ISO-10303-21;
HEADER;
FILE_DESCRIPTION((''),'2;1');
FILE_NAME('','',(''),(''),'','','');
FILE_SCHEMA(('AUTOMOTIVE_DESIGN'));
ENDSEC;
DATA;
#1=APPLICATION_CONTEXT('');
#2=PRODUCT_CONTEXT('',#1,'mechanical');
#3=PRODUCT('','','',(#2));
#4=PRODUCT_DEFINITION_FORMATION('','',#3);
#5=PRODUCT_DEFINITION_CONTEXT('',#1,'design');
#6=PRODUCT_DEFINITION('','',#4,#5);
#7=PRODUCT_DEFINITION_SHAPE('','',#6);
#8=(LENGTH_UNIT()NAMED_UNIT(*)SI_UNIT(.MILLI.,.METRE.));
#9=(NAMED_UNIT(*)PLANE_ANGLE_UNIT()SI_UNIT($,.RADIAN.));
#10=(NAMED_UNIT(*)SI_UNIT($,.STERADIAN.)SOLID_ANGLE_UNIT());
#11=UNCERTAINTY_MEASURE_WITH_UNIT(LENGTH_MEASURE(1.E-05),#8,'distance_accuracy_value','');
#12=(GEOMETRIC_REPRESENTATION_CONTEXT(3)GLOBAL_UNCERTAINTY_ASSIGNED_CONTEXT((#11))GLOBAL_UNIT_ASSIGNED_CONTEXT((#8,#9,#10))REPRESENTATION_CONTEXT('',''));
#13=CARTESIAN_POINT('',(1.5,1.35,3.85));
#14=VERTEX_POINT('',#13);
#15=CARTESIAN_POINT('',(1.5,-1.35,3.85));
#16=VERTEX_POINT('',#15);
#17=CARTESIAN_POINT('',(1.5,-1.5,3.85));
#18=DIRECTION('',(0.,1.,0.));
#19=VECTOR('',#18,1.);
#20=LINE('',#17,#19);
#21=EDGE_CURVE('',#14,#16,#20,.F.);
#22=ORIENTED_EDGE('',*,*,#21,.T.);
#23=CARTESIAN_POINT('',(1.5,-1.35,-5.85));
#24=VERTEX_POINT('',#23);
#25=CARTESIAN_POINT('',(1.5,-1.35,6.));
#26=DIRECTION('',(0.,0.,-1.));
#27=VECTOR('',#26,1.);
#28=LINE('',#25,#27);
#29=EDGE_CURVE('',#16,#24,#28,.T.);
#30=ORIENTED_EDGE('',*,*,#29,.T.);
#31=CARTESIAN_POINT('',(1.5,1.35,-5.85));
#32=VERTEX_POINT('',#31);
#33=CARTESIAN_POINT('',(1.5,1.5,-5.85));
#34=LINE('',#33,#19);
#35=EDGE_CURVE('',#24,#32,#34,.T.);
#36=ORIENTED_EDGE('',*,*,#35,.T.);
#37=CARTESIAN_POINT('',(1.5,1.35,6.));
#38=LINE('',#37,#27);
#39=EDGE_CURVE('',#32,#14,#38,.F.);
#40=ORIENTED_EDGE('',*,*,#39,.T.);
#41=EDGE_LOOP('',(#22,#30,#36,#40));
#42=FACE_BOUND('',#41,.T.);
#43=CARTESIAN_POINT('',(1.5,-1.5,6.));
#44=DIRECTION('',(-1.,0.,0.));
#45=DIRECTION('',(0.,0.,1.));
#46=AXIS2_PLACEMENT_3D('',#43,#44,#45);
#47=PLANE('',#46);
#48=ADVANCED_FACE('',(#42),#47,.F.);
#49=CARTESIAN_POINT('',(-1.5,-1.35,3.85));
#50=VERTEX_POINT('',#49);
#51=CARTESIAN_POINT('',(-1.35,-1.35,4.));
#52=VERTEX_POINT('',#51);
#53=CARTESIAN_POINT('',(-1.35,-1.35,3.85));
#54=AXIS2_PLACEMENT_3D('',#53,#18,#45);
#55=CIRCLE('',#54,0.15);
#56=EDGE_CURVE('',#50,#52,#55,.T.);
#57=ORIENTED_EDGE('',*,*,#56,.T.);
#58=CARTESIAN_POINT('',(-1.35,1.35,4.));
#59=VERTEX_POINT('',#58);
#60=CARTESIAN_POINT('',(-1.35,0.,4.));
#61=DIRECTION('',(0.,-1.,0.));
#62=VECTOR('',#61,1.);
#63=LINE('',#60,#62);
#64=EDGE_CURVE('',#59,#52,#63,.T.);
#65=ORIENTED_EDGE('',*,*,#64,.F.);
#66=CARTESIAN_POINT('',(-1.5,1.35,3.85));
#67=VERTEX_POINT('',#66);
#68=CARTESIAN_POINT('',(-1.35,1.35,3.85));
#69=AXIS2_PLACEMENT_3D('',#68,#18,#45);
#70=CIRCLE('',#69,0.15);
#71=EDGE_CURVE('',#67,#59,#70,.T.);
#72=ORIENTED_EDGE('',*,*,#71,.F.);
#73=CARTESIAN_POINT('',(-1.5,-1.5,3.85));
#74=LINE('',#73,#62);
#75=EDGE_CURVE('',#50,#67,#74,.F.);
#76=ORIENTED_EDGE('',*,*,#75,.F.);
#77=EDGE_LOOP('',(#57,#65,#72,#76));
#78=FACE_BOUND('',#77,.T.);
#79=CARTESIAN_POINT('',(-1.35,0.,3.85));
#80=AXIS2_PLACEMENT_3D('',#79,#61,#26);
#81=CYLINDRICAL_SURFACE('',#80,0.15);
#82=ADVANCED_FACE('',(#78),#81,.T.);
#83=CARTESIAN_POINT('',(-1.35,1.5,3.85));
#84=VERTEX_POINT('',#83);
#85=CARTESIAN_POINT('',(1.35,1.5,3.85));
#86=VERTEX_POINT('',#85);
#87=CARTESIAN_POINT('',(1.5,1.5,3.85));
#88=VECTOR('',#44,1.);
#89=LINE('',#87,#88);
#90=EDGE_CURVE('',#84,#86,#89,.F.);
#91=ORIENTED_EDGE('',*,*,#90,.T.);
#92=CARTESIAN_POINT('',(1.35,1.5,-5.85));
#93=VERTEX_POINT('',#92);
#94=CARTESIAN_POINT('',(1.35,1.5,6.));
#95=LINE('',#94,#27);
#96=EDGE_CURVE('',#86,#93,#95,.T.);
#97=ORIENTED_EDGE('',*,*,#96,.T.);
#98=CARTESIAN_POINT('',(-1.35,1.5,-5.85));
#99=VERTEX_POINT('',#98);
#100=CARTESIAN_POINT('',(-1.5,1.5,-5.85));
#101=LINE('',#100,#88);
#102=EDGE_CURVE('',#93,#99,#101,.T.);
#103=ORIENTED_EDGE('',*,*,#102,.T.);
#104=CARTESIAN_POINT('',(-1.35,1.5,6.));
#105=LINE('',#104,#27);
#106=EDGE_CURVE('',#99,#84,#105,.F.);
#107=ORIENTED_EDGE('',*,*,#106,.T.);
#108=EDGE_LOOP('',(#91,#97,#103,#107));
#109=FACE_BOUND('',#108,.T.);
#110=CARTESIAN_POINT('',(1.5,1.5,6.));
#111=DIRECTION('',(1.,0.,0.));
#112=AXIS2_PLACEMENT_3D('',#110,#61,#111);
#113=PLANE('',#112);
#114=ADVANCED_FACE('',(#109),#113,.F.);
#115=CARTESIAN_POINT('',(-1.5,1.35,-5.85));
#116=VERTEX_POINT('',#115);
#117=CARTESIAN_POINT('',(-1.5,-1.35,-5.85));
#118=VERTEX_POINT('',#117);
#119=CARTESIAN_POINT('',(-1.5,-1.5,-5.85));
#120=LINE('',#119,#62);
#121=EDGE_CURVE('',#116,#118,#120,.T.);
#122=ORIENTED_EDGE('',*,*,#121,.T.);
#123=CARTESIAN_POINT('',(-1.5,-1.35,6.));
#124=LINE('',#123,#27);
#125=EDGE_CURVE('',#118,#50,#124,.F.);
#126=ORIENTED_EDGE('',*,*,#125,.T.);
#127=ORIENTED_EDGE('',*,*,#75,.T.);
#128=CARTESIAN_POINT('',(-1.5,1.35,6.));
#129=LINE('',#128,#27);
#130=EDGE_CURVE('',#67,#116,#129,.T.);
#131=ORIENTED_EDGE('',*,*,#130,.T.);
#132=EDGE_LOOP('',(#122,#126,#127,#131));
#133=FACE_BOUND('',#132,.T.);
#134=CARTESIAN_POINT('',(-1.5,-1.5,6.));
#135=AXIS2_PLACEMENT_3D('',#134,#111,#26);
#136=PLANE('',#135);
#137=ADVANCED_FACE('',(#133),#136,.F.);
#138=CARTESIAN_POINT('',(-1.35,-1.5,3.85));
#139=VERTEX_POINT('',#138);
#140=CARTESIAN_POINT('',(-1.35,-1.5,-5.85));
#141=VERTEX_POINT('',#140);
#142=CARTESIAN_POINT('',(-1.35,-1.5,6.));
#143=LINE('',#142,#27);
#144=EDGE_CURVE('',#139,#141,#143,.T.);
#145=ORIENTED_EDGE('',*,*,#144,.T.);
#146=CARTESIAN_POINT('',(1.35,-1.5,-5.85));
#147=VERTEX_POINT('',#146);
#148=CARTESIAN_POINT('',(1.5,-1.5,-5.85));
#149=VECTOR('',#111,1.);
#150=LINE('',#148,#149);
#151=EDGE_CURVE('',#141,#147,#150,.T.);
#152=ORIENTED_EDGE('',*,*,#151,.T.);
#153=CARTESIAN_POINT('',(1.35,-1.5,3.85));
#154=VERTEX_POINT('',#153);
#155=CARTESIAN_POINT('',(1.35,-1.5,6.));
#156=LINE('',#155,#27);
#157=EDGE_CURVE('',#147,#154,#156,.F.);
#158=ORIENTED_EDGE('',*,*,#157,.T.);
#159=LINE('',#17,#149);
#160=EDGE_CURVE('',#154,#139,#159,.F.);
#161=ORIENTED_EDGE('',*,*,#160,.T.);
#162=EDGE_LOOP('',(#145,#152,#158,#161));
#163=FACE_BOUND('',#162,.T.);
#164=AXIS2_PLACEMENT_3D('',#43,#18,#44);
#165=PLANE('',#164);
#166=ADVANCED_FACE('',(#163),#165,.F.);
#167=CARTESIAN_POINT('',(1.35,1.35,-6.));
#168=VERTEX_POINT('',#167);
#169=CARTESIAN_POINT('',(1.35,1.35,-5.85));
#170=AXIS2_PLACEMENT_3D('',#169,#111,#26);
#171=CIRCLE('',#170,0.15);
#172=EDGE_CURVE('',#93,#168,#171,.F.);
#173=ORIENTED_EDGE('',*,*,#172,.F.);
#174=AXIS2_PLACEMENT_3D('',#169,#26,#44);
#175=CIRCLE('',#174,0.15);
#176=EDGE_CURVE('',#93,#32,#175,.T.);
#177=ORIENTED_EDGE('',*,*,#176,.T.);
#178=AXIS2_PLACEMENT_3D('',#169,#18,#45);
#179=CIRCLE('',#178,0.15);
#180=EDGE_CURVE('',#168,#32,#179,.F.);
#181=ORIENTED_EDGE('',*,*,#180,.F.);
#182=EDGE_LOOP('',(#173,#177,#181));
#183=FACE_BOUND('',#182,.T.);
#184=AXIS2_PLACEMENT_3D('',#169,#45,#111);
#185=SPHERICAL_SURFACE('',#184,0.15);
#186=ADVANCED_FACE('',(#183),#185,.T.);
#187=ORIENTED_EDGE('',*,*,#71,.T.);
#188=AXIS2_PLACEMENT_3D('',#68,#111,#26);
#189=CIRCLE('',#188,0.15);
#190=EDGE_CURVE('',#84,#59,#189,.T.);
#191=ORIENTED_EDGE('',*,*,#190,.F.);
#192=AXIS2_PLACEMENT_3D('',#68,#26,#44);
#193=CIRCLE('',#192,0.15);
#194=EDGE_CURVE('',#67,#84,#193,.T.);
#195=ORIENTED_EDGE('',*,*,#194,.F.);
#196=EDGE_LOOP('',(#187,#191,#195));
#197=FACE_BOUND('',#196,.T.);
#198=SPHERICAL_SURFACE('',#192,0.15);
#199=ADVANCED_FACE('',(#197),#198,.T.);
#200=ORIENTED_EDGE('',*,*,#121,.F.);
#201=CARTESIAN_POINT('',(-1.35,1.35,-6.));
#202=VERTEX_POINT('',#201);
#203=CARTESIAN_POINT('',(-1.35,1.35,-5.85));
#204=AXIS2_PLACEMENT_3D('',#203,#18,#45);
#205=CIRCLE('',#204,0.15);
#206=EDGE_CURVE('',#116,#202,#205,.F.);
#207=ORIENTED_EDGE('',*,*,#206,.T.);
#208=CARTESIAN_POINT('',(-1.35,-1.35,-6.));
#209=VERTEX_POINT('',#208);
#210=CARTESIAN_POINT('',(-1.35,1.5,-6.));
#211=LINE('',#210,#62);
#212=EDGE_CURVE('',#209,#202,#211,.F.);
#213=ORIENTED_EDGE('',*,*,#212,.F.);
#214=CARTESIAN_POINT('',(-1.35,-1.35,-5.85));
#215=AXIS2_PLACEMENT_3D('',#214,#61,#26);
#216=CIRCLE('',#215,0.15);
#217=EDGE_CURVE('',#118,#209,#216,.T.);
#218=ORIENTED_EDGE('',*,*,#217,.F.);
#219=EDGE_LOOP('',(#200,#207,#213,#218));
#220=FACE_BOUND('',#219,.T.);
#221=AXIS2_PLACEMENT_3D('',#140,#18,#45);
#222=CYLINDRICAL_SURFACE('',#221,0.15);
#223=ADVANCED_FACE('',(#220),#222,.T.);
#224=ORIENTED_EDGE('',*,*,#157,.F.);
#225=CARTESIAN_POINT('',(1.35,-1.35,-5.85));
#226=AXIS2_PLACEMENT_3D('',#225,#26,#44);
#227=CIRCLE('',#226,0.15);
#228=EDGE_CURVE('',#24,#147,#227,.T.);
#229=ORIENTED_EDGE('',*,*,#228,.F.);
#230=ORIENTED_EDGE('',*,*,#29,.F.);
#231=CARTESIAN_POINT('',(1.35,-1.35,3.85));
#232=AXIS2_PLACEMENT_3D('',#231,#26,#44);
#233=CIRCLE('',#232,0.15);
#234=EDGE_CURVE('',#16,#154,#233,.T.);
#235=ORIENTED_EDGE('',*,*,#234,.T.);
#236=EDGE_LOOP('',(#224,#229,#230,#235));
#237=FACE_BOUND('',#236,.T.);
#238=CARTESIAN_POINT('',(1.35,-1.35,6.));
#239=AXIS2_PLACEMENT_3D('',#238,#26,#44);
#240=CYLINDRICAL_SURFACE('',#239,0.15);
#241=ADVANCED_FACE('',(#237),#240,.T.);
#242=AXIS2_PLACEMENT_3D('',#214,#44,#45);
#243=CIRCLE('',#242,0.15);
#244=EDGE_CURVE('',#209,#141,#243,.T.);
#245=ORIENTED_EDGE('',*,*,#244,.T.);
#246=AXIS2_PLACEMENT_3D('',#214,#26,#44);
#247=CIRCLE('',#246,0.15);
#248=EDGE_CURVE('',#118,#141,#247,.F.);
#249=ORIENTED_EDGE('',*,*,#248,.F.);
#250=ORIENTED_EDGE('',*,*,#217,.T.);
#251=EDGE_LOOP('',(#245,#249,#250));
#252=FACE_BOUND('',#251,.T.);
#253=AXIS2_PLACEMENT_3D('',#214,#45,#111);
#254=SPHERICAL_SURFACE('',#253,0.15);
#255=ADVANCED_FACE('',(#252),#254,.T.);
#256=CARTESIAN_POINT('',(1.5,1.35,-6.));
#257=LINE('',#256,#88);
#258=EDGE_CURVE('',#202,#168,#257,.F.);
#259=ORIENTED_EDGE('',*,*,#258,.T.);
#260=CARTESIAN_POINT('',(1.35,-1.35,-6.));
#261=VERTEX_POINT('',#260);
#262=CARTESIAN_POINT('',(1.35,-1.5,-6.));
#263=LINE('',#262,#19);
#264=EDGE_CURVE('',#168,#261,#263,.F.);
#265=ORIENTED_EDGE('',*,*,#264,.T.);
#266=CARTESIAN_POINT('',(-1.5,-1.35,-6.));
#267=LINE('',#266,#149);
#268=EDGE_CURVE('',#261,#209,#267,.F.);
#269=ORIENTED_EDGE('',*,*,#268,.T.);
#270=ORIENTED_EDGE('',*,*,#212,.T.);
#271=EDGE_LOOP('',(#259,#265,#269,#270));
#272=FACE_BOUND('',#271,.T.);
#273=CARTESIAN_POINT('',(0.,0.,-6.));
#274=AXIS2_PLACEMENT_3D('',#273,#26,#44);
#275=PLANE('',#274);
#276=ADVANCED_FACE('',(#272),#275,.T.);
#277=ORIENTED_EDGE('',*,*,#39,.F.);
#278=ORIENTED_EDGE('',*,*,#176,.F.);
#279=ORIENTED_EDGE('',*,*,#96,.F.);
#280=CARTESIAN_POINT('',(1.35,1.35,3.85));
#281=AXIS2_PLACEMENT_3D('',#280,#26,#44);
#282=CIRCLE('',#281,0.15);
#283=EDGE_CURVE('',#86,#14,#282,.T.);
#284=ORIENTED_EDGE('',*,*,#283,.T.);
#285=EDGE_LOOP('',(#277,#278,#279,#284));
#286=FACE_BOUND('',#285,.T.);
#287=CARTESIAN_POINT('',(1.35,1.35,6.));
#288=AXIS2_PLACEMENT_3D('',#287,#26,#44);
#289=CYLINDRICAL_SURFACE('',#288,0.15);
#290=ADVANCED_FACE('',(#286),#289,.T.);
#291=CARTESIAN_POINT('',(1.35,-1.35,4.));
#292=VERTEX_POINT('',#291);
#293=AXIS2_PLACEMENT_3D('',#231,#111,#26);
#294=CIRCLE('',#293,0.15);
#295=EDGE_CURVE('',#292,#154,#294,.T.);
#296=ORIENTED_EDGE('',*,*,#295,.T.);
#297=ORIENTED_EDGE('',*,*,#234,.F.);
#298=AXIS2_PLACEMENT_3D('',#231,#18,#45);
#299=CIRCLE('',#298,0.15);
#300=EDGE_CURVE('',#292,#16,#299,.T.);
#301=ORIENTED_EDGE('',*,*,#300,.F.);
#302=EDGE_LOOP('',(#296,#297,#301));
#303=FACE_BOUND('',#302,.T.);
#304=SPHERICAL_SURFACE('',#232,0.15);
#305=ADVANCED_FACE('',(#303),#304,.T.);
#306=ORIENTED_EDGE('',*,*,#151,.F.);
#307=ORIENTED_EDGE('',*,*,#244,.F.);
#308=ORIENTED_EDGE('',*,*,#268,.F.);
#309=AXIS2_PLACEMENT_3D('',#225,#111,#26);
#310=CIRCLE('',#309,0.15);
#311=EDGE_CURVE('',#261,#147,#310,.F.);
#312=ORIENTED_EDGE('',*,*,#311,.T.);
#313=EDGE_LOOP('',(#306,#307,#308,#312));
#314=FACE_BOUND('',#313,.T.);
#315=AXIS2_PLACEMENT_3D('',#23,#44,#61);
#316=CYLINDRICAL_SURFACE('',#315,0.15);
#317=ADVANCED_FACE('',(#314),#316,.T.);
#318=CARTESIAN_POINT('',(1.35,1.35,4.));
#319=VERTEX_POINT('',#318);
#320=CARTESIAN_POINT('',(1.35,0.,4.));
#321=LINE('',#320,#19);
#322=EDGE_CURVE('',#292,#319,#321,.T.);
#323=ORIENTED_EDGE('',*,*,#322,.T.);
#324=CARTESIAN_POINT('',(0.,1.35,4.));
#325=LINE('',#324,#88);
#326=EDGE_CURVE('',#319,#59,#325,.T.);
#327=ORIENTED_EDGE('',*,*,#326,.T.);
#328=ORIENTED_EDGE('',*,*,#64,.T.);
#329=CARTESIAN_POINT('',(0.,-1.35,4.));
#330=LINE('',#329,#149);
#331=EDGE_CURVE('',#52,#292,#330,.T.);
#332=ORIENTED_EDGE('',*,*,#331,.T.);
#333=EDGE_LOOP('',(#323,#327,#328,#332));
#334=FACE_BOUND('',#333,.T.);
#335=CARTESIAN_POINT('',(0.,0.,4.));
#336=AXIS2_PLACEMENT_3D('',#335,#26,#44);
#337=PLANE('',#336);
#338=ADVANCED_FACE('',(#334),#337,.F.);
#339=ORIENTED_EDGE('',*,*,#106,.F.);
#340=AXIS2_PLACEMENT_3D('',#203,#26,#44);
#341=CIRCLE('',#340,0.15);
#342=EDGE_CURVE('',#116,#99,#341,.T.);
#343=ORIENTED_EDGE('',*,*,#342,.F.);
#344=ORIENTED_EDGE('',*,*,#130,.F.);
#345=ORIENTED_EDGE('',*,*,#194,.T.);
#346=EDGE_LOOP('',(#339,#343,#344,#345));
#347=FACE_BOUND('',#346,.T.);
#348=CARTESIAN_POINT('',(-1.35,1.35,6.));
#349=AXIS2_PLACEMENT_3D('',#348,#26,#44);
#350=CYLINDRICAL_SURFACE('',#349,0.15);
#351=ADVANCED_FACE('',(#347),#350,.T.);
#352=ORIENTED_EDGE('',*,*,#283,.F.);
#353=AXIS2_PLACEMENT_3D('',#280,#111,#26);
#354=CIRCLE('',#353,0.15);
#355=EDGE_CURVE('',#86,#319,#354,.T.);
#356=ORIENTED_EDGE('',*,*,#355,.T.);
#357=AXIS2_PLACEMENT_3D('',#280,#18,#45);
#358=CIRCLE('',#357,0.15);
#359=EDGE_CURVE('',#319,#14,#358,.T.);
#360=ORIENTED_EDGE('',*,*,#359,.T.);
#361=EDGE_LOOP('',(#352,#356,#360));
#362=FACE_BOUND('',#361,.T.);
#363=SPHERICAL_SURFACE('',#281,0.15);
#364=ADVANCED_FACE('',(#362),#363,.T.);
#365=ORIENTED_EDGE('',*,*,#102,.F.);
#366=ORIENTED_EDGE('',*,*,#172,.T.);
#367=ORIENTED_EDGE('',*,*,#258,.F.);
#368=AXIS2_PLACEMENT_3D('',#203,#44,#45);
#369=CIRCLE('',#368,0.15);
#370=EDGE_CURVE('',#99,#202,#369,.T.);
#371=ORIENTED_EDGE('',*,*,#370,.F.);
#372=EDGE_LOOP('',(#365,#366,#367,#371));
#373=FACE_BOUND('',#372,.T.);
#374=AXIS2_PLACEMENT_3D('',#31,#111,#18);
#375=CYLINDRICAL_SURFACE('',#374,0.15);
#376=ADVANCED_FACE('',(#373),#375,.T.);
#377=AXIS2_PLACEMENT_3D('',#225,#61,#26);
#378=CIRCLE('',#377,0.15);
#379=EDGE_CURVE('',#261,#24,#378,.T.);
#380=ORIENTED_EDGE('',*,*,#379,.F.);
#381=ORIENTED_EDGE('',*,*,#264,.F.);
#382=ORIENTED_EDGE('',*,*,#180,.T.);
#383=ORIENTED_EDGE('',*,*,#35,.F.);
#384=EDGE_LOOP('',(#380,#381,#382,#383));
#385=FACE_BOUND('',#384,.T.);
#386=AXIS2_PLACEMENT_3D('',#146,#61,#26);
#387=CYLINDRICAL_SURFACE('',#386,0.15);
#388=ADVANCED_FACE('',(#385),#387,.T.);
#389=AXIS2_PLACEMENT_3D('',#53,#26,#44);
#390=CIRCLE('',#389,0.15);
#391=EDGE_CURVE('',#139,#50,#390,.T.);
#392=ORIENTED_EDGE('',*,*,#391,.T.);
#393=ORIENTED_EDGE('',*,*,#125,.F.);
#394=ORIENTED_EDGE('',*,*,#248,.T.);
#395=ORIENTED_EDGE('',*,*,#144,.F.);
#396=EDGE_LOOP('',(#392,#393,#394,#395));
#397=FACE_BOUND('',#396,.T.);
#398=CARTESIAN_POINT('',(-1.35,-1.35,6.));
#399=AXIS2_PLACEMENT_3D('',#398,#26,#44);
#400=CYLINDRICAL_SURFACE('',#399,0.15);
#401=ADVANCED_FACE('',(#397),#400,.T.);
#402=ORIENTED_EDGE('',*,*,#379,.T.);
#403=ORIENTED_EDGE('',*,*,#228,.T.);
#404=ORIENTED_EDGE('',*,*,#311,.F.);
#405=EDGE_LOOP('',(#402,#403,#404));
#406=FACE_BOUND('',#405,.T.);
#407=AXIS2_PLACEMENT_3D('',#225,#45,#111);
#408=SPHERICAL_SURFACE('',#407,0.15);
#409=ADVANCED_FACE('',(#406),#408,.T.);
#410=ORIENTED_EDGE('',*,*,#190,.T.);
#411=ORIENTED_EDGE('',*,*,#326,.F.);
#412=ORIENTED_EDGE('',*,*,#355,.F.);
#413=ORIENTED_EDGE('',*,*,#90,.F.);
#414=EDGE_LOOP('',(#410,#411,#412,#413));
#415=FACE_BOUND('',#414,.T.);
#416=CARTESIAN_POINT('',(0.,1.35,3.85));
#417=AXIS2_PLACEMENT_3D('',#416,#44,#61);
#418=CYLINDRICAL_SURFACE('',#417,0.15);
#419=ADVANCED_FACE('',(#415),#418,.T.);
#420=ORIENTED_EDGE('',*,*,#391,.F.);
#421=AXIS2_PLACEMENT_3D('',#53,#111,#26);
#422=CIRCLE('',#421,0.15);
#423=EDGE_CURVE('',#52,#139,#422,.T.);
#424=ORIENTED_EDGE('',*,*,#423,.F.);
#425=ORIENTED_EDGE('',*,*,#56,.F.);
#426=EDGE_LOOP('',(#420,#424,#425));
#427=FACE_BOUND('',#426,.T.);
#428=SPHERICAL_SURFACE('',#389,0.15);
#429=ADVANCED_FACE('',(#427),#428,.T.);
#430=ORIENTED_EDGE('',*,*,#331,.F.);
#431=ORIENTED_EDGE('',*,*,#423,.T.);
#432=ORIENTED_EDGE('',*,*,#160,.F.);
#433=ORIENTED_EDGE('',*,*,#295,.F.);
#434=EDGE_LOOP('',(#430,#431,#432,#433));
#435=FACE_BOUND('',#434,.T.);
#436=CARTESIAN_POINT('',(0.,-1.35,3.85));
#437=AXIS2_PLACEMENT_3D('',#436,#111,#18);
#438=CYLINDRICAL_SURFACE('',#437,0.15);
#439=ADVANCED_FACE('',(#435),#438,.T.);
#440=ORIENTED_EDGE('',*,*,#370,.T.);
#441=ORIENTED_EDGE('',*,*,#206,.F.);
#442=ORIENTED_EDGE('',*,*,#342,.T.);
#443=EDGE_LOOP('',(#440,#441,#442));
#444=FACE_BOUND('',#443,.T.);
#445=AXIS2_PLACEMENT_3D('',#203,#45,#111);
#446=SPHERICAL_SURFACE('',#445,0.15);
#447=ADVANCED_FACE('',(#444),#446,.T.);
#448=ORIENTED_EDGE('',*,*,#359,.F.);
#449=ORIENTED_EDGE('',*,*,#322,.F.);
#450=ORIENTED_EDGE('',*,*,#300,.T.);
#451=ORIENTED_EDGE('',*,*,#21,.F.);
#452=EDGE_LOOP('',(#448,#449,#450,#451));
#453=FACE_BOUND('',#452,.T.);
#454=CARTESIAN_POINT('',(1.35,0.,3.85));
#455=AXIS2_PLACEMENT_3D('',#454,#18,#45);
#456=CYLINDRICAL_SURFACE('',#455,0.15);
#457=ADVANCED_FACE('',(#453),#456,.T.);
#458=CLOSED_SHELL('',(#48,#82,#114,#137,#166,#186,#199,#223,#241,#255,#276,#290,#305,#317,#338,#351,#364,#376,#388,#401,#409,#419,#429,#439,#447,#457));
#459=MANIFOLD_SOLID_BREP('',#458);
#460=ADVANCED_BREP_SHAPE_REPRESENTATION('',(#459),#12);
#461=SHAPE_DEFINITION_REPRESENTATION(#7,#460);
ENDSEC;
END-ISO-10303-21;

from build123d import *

# Parameters (mm, degrees)
BOSS_EXTRUDE1_DEPTH      = 6
BOSS_EXTRUDE1_DEPTH_BACK = 6
SKETCH3_W                = 3
SKETCH3_H                = 3
FILLET2_R                = 0.15
ESQUISSE1_W              = 3
ESQUISSE1_H              = 3
ENL_V_MAT_EXTRU_1_DEPTH  = 2
CONG_1_R                 = 0.15


with BuildPart() as part:
    # Sketch3 → Boss-Extrude1 (new, two sides: drawn at the far end of the back side and taken through both)
    with BuildSketch(Plane.XY.offset(-BOSS_EXTRUDE1_DEPTH_BACK)):
        Rectangle(SKETCH3_W, SKETCH3_H)
    extrude(amount=BOSS_EXTRUDE1_DEPTH + BOSS_EXTRUDE1_DEPTH_BACK)

    # Fillet2
    fillet2_edges = [part.edges().sort_by_distance(p)[0] for p in [
        (0, 1.5, 6),
        (0, -1.5, -6),
        (-1.5, 0, -6),
        (0, 1.5, -6),
        (1.5, 0, -6),
        (-1.5, 0, 6),
        (0, -1.5, 6),
        (1.5, 0, 6),
        (-1.5, -1.5, 0),
        (-1.5, 1.5, 0),
        (1.5, 1.5, 0),
        (1.5, -1.5, 0),
    ]]
    fillet(fillet2_edges, radius=FILLET2_R)

    # Esquisse1 → Enlèv. mat.-Extru.1 (cut)
    with BuildSketch(Plane.XY.offset(6)):
        Rectangle(ESQUISSE1_W, ESQUISSE1_H)
    extrude(amount=-ENL_V_MAT_EXTRU_1_DEPTH, mode=Mode.SUBTRACT)

    # Congé1
    cong_1_edges = [part.edges().sort_by_distance(p)[0] for p in [
        (-1.456066017, -1.456066017, 4),
        (1.5, 0, 4),
        (0, -1.5, 4),
        (1.456066017, 1.456066017, 4),
        (1.456066017, -1.456066017, 4),
        (-1.456066017, 1.456066017, 4),
        (-1.5, 0, 4),
        (0, 1.5, 4),
    ]]
    fillet(cong_1_edges, radius=CONG_1_R)


solid = part.part
